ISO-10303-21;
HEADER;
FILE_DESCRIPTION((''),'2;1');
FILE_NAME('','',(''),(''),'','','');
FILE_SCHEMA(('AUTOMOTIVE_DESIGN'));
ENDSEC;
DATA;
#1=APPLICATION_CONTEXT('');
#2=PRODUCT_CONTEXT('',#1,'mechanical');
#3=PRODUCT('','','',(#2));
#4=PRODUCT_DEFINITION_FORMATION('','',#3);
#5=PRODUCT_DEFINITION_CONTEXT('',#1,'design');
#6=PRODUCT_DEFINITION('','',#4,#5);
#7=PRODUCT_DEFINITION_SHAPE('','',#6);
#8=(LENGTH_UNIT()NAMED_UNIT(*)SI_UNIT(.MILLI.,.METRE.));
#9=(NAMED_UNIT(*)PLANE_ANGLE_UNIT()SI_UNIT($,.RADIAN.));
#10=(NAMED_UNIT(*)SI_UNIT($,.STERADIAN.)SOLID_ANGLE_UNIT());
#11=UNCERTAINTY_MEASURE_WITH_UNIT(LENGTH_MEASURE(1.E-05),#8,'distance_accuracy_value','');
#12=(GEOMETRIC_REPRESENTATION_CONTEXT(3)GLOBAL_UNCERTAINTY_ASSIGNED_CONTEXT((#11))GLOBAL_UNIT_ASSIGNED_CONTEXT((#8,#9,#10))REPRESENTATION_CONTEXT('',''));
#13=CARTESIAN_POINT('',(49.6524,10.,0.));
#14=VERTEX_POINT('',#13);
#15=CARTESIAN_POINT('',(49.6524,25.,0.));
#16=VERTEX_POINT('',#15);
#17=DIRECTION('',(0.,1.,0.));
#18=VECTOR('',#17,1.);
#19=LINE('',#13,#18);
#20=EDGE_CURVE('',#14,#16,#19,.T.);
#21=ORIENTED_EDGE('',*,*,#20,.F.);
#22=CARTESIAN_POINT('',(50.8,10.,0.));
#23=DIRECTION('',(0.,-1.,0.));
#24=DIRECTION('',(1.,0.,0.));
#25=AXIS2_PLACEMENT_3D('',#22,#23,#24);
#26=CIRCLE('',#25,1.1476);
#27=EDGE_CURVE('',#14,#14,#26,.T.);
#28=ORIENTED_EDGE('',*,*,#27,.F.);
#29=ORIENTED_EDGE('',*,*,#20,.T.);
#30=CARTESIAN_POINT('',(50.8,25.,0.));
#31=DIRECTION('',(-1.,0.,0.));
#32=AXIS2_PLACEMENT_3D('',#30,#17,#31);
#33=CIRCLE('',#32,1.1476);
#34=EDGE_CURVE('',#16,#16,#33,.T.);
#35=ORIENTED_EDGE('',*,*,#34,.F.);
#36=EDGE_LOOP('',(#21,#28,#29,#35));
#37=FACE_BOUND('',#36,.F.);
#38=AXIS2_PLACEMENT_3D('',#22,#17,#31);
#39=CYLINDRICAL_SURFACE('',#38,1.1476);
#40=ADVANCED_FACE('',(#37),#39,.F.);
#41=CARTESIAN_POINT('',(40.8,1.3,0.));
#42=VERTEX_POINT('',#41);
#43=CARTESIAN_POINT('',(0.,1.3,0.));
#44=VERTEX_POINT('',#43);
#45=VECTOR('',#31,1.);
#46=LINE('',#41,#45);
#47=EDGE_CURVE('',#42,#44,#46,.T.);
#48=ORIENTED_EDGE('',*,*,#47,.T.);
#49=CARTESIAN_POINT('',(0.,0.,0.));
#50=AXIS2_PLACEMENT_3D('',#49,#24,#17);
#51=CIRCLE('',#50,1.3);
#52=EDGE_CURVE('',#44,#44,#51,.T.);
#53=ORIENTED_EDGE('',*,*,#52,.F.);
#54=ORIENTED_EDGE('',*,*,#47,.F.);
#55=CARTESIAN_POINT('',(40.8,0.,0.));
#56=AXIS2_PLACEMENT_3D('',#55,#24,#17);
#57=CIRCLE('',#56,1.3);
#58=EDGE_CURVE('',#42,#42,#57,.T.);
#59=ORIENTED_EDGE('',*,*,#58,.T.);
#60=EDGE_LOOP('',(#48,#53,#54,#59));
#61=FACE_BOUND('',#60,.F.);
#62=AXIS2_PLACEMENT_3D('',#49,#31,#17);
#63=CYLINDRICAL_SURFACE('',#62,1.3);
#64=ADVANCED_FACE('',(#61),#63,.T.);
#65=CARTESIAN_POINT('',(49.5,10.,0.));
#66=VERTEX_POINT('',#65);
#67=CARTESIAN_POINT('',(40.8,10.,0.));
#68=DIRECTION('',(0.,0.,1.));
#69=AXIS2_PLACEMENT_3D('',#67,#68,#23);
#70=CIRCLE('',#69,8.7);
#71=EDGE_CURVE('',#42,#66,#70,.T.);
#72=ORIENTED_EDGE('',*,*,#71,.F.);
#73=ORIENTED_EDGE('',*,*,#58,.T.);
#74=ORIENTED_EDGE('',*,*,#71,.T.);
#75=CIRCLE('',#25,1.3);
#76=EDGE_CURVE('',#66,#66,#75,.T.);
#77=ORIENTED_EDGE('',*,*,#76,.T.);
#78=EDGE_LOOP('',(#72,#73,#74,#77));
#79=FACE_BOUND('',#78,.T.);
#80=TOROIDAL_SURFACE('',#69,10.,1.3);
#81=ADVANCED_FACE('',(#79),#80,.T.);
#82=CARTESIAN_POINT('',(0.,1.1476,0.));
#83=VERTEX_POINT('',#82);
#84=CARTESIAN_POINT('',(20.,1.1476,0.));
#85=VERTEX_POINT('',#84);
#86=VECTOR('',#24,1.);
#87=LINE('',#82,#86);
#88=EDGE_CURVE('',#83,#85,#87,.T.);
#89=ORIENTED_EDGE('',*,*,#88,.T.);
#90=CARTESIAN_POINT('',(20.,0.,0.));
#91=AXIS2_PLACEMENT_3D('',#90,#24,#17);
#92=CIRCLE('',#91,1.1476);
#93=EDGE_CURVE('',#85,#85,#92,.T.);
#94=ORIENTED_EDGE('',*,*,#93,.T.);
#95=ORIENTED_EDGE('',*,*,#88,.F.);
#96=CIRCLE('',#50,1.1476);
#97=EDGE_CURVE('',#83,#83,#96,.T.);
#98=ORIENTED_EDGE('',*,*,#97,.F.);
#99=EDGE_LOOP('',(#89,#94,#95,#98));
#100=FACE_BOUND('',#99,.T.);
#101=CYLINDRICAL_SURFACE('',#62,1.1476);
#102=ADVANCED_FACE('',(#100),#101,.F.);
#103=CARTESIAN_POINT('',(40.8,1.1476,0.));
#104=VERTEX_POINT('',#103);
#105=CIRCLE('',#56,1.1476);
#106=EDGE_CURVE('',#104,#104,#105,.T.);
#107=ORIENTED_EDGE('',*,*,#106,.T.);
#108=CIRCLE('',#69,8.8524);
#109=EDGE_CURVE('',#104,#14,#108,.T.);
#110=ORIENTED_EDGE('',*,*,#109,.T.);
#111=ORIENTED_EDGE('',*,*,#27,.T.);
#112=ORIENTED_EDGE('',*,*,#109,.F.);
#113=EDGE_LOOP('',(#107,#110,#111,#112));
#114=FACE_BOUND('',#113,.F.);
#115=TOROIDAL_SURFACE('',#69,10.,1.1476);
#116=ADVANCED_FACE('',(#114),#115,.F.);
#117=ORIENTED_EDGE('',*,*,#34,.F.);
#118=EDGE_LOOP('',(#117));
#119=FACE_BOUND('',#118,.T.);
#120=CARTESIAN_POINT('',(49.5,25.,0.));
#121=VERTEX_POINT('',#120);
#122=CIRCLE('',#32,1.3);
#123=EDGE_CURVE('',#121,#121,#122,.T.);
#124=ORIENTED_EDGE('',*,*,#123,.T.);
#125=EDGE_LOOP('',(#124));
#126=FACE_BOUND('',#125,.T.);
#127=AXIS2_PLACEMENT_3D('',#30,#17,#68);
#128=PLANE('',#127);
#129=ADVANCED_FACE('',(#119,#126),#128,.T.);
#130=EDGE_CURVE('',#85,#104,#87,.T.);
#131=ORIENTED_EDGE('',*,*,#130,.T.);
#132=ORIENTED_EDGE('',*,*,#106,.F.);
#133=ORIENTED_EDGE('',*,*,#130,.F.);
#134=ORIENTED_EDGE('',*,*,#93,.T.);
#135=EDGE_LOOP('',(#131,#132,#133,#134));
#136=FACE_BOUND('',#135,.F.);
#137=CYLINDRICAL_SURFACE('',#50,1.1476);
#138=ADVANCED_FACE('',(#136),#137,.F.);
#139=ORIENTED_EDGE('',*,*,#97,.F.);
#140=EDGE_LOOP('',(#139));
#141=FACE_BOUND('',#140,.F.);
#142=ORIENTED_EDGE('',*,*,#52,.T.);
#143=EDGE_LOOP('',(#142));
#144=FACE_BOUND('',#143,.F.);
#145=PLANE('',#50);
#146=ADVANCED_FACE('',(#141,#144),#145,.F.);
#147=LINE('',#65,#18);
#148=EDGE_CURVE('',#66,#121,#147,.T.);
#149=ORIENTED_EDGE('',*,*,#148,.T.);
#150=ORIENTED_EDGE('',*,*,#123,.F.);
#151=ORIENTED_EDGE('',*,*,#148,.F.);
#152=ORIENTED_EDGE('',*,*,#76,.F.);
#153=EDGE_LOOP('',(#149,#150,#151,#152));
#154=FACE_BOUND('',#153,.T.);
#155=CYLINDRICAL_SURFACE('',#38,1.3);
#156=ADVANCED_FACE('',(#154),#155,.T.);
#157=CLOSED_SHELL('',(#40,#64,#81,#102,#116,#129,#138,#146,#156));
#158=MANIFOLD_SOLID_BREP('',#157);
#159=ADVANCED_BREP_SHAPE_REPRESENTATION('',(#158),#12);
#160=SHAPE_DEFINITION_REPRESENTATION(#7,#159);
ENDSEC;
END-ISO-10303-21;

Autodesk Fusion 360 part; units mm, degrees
sketch "Sketch1" plane through (0, 0, 0) normal (1, 0, 0) x (0, 1, 0)
  circle A0 centre (0, 0) radius 1.3
  circle A1 centre (0, 0) radius 1.1476
  dimension "d1" = 2.6
  dimension "d2" = 2.2952
extrude "Extrude1" add sketch "Sketch1" along normal blind 20
equation "d2 = d1 - 0.012 in"

Autodesk Fusion 360 part; units mm, degrees
sketch "Sketch1" plane through (0, 0, 0) normal (1, 0, 0) x (0, 1, 0)
  circle A0 centre (0, 0) radius 1.3
  circle A1 centre (0, 0) radius 1.1476
  dimension "d1" = 2.6
  dimension "d2" = 2.2952
extrude "Extrude1" add sketch "Sketch1" along normal blind 7
equation "d2 = d1 - 0.012 in"

Autodesk Fusion 360 part; units mm, degrees
sketch "Sketch1" plane through (0, 0, 0) normal (1, 0, 0) x (0, 1, 0)
  circle A0 centre (0, 0) radius 1.3
  circle A1 centre (0, 0) radius 1.1476
  dimension "d1" = 2.6
  dimension "d2" = 2.2952
sketch "Sketch2" plane through (0, 0, 0) normal (0, 0, 1) x (1, 0, 0)
  line L0 (0, 0) -> (40.8, 0)
  line L1 (50.8, 10) -> (50.8, 25)
  arc A0 (40.8, 0) -> (50.8, 10) centre (40.8, 10) ccw
  point P0 (50.8, 0)
  dimension "d3" = 50.8
  dimension "d4" = 25
  dimension "d5" = 10
sweep "Sweep1" add profiles "Sketch1" path "Sketch2" along L0 A0 L1 section 1
equation "d2 = d1 - 0.012 in"
